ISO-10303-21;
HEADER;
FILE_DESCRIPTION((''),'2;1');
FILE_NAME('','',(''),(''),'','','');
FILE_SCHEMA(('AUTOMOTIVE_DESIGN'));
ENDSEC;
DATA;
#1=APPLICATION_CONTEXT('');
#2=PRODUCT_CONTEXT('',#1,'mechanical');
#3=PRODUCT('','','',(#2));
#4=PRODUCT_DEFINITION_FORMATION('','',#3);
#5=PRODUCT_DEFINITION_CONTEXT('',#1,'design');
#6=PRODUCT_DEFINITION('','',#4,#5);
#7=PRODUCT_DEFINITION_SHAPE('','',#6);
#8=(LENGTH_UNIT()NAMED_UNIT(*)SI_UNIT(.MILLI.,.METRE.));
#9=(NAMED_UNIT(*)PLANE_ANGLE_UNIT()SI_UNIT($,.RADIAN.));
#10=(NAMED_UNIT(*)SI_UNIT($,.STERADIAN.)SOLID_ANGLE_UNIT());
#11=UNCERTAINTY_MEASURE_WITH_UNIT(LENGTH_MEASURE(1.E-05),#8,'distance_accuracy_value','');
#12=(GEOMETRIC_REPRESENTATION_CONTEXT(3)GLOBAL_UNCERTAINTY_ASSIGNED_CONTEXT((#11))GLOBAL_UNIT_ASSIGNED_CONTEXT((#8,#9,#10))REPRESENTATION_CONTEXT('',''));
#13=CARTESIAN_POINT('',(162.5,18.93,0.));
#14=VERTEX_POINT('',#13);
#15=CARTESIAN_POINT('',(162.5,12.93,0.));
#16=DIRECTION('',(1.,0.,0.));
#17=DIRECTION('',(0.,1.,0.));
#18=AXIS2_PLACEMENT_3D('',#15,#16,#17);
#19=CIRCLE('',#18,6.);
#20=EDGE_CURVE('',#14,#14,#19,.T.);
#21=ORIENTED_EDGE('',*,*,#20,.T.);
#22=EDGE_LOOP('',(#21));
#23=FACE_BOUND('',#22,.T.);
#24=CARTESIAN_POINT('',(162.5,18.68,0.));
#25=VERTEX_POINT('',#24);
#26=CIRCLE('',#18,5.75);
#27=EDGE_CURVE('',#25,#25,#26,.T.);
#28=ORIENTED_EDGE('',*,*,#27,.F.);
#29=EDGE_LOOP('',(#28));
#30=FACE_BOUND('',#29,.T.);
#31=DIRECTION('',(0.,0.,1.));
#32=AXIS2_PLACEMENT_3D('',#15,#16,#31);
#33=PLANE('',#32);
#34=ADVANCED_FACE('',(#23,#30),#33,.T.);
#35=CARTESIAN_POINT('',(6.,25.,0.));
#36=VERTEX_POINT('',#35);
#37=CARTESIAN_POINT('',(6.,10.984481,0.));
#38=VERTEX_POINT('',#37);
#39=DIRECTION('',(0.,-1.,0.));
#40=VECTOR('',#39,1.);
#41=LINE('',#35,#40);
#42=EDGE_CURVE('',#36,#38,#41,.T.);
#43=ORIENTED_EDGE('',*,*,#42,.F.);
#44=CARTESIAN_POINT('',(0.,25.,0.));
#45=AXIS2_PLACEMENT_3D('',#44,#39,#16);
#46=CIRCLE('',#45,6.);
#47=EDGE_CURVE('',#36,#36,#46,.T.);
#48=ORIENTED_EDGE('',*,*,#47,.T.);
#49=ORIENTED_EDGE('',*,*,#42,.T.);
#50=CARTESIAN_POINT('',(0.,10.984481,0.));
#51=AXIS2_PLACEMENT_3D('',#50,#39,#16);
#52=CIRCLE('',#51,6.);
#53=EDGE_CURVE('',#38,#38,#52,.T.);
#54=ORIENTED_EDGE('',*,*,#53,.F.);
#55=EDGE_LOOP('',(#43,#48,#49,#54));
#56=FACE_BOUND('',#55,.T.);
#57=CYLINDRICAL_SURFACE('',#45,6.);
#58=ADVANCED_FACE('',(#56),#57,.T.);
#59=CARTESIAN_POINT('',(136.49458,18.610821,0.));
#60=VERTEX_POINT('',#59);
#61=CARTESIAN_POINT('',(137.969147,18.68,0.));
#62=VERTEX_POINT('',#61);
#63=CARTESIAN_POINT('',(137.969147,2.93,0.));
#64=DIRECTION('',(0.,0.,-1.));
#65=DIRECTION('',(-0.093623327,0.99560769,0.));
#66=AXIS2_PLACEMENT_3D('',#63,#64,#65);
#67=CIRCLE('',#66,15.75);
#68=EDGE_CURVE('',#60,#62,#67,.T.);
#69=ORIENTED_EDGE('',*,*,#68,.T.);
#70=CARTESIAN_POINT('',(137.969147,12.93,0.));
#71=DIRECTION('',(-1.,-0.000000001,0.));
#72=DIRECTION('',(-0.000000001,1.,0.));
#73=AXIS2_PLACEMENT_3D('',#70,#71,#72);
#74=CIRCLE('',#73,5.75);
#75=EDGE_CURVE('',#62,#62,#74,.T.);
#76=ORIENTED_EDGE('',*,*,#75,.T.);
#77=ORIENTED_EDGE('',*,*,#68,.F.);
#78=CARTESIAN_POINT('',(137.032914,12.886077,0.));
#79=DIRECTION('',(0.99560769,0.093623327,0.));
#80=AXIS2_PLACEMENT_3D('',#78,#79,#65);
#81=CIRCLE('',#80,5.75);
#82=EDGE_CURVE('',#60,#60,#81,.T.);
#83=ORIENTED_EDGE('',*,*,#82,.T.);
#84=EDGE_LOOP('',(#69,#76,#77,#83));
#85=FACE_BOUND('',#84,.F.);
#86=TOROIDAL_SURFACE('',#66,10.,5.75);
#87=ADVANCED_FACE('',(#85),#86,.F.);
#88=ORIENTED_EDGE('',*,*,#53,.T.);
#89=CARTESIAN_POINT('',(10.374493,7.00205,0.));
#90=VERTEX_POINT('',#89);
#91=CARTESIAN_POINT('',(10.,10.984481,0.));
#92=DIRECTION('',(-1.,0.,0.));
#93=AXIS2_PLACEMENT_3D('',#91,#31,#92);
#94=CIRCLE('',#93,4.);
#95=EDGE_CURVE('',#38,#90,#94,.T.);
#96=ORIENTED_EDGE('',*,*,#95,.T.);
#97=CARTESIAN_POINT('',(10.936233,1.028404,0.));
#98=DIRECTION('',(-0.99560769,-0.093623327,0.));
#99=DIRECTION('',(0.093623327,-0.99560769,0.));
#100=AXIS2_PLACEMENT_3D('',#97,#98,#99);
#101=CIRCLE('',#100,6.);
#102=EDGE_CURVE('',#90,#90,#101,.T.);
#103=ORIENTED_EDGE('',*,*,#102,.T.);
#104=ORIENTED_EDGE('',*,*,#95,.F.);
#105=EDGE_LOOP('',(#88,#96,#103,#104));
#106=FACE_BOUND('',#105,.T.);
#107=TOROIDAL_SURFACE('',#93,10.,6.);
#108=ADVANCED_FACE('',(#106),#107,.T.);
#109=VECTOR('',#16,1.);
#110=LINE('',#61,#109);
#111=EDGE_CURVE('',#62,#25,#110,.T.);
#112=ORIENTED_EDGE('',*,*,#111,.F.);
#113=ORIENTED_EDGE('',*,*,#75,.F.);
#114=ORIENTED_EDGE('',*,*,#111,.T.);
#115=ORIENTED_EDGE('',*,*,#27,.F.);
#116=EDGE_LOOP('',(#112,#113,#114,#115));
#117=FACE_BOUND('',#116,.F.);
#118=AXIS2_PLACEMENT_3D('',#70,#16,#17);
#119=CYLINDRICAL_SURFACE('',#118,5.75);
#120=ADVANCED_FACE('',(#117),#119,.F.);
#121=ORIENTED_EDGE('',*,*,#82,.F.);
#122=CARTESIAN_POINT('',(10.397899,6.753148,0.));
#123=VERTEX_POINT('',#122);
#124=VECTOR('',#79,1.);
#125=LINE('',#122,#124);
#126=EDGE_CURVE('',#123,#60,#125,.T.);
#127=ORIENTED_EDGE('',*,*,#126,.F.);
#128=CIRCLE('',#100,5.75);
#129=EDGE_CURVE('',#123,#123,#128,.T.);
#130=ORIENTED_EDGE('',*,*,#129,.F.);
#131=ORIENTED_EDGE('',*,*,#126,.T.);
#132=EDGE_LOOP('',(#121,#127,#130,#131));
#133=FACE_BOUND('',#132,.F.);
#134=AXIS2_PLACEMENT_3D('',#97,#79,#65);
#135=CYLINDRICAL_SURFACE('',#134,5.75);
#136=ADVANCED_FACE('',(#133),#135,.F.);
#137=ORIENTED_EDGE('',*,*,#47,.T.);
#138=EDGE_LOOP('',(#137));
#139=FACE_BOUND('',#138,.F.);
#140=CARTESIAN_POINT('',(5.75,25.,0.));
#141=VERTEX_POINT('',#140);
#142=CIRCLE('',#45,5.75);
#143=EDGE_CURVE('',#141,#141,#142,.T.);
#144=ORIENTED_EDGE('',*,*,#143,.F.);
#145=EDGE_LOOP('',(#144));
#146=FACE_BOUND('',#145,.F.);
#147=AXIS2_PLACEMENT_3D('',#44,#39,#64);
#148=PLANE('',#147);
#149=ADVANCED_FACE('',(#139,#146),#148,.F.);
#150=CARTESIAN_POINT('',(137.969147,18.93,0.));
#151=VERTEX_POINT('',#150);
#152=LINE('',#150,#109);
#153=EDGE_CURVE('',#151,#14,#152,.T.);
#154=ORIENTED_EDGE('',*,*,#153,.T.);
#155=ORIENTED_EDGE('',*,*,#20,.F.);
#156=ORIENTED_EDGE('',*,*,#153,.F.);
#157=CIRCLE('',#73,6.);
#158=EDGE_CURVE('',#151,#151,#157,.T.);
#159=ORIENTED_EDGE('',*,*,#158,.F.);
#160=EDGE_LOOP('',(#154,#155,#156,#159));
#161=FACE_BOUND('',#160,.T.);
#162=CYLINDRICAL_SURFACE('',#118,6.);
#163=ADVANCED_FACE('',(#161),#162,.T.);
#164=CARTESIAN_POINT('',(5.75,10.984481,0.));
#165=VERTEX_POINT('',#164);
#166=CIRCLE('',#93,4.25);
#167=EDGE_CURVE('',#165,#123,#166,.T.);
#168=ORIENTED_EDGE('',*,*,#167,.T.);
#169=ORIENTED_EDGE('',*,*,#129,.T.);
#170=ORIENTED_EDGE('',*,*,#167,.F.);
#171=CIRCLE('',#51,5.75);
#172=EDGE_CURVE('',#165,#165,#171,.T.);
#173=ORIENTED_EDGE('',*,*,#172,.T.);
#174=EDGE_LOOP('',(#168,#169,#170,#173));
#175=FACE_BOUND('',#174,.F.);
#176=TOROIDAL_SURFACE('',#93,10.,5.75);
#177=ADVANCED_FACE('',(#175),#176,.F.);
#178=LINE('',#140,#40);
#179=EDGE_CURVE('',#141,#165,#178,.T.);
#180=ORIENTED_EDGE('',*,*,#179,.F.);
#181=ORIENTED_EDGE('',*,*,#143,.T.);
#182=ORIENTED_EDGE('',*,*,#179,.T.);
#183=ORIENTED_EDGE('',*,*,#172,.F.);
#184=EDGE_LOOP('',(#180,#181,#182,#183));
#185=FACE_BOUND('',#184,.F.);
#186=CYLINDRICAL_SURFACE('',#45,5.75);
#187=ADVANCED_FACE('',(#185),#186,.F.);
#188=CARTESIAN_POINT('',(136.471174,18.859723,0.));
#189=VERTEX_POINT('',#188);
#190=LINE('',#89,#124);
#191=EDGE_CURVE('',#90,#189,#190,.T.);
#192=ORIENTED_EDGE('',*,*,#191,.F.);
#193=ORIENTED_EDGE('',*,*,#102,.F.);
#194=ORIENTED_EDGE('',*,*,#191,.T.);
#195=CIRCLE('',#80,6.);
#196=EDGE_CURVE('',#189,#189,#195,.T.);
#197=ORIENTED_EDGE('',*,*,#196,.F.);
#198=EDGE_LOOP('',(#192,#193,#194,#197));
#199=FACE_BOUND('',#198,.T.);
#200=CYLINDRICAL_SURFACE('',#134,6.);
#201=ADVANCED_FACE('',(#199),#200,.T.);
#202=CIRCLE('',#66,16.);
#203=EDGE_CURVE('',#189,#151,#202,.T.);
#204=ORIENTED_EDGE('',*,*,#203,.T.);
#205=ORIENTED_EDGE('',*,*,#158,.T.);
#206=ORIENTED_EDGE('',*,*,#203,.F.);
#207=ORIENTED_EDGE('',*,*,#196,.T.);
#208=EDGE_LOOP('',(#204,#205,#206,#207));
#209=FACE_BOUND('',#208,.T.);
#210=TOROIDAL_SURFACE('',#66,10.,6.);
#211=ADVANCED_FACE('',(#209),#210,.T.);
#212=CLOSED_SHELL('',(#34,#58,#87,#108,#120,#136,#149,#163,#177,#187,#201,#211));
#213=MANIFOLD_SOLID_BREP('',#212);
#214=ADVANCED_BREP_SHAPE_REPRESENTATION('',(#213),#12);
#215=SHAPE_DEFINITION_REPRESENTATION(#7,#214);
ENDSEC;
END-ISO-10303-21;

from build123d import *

# Parameters (mm, degrees)
F2_R   = 6
F2_R_2 = 5.75


with BuildPart() as f3:
    # F3: sweep along a path in F0
    with BuildLine(Plane.XY) as f3_path:
        Line((-6, 25), (-6, 10.9844805099))
        ThreePointArc((-6, 10.9844805099), (-0.771082312, -0.8469938627), (11.4979732286, -4.9452425325))
        Line((11.4979732286, -4.9452425325), (137.5946536462, 6.9124307606))
        ThreePointArc((137.5946536462, 6.9124307606), (137.7816943491, 6.9256052759), (137.9691469533, 6.93))
        Line((137.9691469533, 6.93), (162.5, 6.93))
    # F2 (on offset) → F3 (sweep)
    with BuildSketch(Plane.XZ.offset(-25)):
        Circle(F2_R)
        Circle(F2_R_2, mode=Mode.SUBTRACT)
    sweep(path=f3_path.line)


solid = f3.part
